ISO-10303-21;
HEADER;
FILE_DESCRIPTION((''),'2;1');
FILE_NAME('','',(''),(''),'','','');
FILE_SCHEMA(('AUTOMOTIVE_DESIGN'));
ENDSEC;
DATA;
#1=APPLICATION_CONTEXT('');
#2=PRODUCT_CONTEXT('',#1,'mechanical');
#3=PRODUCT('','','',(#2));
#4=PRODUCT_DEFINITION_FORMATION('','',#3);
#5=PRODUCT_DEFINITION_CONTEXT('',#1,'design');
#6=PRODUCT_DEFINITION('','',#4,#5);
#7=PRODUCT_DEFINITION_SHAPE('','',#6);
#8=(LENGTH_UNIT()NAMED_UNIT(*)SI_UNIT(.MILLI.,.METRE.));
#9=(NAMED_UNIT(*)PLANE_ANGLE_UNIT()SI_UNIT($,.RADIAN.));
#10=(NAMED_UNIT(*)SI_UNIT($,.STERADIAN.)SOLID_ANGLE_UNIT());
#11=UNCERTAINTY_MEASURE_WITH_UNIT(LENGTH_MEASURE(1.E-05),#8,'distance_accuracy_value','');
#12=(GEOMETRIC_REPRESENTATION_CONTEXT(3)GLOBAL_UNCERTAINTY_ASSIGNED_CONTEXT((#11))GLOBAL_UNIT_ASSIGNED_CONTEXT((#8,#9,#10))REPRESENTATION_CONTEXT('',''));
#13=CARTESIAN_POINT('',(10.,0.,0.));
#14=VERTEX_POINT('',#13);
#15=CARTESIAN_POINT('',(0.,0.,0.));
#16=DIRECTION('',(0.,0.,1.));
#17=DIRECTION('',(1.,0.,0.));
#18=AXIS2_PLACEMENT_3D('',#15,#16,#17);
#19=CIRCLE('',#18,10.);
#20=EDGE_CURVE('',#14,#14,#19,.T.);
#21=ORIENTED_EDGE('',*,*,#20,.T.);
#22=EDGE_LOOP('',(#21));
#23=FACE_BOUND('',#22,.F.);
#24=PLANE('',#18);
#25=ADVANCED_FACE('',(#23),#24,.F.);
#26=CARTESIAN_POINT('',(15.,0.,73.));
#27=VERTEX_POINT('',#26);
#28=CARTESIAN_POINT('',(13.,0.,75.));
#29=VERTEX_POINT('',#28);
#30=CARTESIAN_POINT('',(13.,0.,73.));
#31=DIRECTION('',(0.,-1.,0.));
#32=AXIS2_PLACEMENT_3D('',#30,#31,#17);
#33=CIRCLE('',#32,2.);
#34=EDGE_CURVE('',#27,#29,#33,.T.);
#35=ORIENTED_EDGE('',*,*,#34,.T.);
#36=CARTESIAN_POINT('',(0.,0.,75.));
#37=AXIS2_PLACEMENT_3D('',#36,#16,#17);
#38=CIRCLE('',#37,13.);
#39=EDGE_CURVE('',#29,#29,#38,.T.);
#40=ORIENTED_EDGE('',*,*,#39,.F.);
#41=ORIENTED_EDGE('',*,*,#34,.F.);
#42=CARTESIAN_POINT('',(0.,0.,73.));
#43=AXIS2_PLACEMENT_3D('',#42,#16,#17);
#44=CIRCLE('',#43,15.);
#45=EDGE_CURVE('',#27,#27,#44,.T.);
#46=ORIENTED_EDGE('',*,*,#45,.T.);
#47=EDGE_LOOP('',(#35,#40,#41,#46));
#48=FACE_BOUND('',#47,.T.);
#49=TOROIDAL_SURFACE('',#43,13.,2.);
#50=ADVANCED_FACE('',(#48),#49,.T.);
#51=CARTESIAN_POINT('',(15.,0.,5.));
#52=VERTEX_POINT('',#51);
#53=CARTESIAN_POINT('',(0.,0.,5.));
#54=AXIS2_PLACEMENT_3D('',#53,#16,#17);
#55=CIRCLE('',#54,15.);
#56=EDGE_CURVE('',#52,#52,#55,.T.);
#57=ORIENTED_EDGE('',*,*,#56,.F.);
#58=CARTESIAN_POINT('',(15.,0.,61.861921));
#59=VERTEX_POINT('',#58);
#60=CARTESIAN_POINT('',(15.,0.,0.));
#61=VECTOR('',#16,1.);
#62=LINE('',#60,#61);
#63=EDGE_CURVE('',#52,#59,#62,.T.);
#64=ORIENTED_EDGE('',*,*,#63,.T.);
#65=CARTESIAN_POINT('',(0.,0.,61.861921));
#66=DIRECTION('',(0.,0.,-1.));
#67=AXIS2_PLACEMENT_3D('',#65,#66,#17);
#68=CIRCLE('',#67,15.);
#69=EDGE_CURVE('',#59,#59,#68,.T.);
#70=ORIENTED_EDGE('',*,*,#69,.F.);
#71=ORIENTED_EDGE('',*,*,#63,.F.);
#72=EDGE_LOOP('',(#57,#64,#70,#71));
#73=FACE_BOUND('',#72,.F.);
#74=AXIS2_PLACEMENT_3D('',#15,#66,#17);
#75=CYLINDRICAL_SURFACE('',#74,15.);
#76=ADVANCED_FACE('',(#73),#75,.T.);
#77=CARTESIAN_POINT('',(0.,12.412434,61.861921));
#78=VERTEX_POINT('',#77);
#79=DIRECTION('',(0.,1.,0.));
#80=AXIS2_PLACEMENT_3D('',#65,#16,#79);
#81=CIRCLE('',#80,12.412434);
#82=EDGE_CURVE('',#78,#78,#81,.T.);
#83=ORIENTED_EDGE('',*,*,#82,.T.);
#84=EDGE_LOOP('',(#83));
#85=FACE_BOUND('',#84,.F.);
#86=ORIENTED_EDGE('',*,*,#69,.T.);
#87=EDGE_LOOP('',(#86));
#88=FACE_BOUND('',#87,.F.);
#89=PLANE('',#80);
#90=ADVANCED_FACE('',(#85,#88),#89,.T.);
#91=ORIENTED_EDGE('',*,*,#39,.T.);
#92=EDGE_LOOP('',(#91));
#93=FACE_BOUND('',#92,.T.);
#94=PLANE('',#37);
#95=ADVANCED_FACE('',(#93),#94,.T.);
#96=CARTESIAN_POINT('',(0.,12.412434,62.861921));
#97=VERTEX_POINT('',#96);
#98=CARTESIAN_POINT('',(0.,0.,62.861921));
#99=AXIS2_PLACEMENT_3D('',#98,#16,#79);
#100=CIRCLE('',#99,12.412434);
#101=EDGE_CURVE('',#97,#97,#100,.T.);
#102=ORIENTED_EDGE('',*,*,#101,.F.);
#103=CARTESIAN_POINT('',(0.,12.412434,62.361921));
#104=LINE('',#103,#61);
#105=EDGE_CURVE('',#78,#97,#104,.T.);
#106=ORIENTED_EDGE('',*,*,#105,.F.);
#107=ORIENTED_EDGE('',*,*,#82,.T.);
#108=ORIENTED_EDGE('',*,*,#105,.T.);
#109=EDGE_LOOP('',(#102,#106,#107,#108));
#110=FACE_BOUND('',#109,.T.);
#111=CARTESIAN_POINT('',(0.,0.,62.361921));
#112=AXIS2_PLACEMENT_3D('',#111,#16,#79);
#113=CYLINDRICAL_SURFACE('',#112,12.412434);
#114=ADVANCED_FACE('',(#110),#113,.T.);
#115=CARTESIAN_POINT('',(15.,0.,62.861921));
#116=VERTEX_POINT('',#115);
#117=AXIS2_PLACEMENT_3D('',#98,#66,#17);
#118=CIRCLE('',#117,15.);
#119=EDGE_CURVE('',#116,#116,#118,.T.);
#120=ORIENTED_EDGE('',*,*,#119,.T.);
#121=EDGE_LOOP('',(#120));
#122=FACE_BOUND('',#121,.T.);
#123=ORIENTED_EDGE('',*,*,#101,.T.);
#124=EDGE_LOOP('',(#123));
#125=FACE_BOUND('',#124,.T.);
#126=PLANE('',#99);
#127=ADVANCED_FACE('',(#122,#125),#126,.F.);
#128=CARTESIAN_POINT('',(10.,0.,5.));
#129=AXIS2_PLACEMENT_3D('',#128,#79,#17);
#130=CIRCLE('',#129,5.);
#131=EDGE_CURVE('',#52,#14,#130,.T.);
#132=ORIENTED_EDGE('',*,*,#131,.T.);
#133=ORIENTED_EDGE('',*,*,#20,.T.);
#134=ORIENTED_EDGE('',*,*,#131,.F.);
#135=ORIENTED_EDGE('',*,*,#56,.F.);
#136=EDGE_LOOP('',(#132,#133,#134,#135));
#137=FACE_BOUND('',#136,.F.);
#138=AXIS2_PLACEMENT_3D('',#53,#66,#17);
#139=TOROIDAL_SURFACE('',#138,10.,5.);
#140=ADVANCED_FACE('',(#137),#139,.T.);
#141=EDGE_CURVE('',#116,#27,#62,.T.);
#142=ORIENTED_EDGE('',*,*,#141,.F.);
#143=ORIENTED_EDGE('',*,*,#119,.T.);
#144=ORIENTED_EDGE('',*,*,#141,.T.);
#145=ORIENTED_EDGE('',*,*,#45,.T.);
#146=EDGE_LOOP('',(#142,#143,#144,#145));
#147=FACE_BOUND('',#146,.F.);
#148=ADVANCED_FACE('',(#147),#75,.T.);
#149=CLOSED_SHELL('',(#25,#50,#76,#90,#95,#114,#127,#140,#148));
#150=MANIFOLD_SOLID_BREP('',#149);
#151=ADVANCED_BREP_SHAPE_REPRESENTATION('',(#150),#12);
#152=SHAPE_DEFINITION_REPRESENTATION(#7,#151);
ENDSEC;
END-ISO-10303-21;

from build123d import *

# Parameters (mm, degrees)
F0_R     = 15
F1_DEPTH = 75
F2_R     = 5
F3_R     = 2
F4_W     = 6.931401
F4_H     = 1


with BuildPart() as f1:
    # F0 (on Top) → F1 (new body)
    with BuildSketch(Plane.XY):
        Circle(F0_R)
    extrude(amount=F1_DEPTH)

    # F2
    f2_edges = [f1.edges().sort_by_distance(p)[0] for p in [
        (-15, 0, 0),
    ]]
    fillet(f2_edges, radius=F2_R)

    # F3
    f3_edges = [f1.edges().sort_by_distance(p)[0] for p in [
        (-15, 0, 75),
    ]]
    fillet(f3_edges, radius=F3_R)

    # F4 (on Right) → F5 (revolve, cut)
    with BuildSketch(Plane.YZ):
        with Locations((15.878135, 62.361921)):
            Rectangle(F4_W, F4_H)
    revolve(axis=Axis((0, 0, 55.164355), (0, 0, 1)), mode=Mode.SUBTRACT)


solid = f1.part
